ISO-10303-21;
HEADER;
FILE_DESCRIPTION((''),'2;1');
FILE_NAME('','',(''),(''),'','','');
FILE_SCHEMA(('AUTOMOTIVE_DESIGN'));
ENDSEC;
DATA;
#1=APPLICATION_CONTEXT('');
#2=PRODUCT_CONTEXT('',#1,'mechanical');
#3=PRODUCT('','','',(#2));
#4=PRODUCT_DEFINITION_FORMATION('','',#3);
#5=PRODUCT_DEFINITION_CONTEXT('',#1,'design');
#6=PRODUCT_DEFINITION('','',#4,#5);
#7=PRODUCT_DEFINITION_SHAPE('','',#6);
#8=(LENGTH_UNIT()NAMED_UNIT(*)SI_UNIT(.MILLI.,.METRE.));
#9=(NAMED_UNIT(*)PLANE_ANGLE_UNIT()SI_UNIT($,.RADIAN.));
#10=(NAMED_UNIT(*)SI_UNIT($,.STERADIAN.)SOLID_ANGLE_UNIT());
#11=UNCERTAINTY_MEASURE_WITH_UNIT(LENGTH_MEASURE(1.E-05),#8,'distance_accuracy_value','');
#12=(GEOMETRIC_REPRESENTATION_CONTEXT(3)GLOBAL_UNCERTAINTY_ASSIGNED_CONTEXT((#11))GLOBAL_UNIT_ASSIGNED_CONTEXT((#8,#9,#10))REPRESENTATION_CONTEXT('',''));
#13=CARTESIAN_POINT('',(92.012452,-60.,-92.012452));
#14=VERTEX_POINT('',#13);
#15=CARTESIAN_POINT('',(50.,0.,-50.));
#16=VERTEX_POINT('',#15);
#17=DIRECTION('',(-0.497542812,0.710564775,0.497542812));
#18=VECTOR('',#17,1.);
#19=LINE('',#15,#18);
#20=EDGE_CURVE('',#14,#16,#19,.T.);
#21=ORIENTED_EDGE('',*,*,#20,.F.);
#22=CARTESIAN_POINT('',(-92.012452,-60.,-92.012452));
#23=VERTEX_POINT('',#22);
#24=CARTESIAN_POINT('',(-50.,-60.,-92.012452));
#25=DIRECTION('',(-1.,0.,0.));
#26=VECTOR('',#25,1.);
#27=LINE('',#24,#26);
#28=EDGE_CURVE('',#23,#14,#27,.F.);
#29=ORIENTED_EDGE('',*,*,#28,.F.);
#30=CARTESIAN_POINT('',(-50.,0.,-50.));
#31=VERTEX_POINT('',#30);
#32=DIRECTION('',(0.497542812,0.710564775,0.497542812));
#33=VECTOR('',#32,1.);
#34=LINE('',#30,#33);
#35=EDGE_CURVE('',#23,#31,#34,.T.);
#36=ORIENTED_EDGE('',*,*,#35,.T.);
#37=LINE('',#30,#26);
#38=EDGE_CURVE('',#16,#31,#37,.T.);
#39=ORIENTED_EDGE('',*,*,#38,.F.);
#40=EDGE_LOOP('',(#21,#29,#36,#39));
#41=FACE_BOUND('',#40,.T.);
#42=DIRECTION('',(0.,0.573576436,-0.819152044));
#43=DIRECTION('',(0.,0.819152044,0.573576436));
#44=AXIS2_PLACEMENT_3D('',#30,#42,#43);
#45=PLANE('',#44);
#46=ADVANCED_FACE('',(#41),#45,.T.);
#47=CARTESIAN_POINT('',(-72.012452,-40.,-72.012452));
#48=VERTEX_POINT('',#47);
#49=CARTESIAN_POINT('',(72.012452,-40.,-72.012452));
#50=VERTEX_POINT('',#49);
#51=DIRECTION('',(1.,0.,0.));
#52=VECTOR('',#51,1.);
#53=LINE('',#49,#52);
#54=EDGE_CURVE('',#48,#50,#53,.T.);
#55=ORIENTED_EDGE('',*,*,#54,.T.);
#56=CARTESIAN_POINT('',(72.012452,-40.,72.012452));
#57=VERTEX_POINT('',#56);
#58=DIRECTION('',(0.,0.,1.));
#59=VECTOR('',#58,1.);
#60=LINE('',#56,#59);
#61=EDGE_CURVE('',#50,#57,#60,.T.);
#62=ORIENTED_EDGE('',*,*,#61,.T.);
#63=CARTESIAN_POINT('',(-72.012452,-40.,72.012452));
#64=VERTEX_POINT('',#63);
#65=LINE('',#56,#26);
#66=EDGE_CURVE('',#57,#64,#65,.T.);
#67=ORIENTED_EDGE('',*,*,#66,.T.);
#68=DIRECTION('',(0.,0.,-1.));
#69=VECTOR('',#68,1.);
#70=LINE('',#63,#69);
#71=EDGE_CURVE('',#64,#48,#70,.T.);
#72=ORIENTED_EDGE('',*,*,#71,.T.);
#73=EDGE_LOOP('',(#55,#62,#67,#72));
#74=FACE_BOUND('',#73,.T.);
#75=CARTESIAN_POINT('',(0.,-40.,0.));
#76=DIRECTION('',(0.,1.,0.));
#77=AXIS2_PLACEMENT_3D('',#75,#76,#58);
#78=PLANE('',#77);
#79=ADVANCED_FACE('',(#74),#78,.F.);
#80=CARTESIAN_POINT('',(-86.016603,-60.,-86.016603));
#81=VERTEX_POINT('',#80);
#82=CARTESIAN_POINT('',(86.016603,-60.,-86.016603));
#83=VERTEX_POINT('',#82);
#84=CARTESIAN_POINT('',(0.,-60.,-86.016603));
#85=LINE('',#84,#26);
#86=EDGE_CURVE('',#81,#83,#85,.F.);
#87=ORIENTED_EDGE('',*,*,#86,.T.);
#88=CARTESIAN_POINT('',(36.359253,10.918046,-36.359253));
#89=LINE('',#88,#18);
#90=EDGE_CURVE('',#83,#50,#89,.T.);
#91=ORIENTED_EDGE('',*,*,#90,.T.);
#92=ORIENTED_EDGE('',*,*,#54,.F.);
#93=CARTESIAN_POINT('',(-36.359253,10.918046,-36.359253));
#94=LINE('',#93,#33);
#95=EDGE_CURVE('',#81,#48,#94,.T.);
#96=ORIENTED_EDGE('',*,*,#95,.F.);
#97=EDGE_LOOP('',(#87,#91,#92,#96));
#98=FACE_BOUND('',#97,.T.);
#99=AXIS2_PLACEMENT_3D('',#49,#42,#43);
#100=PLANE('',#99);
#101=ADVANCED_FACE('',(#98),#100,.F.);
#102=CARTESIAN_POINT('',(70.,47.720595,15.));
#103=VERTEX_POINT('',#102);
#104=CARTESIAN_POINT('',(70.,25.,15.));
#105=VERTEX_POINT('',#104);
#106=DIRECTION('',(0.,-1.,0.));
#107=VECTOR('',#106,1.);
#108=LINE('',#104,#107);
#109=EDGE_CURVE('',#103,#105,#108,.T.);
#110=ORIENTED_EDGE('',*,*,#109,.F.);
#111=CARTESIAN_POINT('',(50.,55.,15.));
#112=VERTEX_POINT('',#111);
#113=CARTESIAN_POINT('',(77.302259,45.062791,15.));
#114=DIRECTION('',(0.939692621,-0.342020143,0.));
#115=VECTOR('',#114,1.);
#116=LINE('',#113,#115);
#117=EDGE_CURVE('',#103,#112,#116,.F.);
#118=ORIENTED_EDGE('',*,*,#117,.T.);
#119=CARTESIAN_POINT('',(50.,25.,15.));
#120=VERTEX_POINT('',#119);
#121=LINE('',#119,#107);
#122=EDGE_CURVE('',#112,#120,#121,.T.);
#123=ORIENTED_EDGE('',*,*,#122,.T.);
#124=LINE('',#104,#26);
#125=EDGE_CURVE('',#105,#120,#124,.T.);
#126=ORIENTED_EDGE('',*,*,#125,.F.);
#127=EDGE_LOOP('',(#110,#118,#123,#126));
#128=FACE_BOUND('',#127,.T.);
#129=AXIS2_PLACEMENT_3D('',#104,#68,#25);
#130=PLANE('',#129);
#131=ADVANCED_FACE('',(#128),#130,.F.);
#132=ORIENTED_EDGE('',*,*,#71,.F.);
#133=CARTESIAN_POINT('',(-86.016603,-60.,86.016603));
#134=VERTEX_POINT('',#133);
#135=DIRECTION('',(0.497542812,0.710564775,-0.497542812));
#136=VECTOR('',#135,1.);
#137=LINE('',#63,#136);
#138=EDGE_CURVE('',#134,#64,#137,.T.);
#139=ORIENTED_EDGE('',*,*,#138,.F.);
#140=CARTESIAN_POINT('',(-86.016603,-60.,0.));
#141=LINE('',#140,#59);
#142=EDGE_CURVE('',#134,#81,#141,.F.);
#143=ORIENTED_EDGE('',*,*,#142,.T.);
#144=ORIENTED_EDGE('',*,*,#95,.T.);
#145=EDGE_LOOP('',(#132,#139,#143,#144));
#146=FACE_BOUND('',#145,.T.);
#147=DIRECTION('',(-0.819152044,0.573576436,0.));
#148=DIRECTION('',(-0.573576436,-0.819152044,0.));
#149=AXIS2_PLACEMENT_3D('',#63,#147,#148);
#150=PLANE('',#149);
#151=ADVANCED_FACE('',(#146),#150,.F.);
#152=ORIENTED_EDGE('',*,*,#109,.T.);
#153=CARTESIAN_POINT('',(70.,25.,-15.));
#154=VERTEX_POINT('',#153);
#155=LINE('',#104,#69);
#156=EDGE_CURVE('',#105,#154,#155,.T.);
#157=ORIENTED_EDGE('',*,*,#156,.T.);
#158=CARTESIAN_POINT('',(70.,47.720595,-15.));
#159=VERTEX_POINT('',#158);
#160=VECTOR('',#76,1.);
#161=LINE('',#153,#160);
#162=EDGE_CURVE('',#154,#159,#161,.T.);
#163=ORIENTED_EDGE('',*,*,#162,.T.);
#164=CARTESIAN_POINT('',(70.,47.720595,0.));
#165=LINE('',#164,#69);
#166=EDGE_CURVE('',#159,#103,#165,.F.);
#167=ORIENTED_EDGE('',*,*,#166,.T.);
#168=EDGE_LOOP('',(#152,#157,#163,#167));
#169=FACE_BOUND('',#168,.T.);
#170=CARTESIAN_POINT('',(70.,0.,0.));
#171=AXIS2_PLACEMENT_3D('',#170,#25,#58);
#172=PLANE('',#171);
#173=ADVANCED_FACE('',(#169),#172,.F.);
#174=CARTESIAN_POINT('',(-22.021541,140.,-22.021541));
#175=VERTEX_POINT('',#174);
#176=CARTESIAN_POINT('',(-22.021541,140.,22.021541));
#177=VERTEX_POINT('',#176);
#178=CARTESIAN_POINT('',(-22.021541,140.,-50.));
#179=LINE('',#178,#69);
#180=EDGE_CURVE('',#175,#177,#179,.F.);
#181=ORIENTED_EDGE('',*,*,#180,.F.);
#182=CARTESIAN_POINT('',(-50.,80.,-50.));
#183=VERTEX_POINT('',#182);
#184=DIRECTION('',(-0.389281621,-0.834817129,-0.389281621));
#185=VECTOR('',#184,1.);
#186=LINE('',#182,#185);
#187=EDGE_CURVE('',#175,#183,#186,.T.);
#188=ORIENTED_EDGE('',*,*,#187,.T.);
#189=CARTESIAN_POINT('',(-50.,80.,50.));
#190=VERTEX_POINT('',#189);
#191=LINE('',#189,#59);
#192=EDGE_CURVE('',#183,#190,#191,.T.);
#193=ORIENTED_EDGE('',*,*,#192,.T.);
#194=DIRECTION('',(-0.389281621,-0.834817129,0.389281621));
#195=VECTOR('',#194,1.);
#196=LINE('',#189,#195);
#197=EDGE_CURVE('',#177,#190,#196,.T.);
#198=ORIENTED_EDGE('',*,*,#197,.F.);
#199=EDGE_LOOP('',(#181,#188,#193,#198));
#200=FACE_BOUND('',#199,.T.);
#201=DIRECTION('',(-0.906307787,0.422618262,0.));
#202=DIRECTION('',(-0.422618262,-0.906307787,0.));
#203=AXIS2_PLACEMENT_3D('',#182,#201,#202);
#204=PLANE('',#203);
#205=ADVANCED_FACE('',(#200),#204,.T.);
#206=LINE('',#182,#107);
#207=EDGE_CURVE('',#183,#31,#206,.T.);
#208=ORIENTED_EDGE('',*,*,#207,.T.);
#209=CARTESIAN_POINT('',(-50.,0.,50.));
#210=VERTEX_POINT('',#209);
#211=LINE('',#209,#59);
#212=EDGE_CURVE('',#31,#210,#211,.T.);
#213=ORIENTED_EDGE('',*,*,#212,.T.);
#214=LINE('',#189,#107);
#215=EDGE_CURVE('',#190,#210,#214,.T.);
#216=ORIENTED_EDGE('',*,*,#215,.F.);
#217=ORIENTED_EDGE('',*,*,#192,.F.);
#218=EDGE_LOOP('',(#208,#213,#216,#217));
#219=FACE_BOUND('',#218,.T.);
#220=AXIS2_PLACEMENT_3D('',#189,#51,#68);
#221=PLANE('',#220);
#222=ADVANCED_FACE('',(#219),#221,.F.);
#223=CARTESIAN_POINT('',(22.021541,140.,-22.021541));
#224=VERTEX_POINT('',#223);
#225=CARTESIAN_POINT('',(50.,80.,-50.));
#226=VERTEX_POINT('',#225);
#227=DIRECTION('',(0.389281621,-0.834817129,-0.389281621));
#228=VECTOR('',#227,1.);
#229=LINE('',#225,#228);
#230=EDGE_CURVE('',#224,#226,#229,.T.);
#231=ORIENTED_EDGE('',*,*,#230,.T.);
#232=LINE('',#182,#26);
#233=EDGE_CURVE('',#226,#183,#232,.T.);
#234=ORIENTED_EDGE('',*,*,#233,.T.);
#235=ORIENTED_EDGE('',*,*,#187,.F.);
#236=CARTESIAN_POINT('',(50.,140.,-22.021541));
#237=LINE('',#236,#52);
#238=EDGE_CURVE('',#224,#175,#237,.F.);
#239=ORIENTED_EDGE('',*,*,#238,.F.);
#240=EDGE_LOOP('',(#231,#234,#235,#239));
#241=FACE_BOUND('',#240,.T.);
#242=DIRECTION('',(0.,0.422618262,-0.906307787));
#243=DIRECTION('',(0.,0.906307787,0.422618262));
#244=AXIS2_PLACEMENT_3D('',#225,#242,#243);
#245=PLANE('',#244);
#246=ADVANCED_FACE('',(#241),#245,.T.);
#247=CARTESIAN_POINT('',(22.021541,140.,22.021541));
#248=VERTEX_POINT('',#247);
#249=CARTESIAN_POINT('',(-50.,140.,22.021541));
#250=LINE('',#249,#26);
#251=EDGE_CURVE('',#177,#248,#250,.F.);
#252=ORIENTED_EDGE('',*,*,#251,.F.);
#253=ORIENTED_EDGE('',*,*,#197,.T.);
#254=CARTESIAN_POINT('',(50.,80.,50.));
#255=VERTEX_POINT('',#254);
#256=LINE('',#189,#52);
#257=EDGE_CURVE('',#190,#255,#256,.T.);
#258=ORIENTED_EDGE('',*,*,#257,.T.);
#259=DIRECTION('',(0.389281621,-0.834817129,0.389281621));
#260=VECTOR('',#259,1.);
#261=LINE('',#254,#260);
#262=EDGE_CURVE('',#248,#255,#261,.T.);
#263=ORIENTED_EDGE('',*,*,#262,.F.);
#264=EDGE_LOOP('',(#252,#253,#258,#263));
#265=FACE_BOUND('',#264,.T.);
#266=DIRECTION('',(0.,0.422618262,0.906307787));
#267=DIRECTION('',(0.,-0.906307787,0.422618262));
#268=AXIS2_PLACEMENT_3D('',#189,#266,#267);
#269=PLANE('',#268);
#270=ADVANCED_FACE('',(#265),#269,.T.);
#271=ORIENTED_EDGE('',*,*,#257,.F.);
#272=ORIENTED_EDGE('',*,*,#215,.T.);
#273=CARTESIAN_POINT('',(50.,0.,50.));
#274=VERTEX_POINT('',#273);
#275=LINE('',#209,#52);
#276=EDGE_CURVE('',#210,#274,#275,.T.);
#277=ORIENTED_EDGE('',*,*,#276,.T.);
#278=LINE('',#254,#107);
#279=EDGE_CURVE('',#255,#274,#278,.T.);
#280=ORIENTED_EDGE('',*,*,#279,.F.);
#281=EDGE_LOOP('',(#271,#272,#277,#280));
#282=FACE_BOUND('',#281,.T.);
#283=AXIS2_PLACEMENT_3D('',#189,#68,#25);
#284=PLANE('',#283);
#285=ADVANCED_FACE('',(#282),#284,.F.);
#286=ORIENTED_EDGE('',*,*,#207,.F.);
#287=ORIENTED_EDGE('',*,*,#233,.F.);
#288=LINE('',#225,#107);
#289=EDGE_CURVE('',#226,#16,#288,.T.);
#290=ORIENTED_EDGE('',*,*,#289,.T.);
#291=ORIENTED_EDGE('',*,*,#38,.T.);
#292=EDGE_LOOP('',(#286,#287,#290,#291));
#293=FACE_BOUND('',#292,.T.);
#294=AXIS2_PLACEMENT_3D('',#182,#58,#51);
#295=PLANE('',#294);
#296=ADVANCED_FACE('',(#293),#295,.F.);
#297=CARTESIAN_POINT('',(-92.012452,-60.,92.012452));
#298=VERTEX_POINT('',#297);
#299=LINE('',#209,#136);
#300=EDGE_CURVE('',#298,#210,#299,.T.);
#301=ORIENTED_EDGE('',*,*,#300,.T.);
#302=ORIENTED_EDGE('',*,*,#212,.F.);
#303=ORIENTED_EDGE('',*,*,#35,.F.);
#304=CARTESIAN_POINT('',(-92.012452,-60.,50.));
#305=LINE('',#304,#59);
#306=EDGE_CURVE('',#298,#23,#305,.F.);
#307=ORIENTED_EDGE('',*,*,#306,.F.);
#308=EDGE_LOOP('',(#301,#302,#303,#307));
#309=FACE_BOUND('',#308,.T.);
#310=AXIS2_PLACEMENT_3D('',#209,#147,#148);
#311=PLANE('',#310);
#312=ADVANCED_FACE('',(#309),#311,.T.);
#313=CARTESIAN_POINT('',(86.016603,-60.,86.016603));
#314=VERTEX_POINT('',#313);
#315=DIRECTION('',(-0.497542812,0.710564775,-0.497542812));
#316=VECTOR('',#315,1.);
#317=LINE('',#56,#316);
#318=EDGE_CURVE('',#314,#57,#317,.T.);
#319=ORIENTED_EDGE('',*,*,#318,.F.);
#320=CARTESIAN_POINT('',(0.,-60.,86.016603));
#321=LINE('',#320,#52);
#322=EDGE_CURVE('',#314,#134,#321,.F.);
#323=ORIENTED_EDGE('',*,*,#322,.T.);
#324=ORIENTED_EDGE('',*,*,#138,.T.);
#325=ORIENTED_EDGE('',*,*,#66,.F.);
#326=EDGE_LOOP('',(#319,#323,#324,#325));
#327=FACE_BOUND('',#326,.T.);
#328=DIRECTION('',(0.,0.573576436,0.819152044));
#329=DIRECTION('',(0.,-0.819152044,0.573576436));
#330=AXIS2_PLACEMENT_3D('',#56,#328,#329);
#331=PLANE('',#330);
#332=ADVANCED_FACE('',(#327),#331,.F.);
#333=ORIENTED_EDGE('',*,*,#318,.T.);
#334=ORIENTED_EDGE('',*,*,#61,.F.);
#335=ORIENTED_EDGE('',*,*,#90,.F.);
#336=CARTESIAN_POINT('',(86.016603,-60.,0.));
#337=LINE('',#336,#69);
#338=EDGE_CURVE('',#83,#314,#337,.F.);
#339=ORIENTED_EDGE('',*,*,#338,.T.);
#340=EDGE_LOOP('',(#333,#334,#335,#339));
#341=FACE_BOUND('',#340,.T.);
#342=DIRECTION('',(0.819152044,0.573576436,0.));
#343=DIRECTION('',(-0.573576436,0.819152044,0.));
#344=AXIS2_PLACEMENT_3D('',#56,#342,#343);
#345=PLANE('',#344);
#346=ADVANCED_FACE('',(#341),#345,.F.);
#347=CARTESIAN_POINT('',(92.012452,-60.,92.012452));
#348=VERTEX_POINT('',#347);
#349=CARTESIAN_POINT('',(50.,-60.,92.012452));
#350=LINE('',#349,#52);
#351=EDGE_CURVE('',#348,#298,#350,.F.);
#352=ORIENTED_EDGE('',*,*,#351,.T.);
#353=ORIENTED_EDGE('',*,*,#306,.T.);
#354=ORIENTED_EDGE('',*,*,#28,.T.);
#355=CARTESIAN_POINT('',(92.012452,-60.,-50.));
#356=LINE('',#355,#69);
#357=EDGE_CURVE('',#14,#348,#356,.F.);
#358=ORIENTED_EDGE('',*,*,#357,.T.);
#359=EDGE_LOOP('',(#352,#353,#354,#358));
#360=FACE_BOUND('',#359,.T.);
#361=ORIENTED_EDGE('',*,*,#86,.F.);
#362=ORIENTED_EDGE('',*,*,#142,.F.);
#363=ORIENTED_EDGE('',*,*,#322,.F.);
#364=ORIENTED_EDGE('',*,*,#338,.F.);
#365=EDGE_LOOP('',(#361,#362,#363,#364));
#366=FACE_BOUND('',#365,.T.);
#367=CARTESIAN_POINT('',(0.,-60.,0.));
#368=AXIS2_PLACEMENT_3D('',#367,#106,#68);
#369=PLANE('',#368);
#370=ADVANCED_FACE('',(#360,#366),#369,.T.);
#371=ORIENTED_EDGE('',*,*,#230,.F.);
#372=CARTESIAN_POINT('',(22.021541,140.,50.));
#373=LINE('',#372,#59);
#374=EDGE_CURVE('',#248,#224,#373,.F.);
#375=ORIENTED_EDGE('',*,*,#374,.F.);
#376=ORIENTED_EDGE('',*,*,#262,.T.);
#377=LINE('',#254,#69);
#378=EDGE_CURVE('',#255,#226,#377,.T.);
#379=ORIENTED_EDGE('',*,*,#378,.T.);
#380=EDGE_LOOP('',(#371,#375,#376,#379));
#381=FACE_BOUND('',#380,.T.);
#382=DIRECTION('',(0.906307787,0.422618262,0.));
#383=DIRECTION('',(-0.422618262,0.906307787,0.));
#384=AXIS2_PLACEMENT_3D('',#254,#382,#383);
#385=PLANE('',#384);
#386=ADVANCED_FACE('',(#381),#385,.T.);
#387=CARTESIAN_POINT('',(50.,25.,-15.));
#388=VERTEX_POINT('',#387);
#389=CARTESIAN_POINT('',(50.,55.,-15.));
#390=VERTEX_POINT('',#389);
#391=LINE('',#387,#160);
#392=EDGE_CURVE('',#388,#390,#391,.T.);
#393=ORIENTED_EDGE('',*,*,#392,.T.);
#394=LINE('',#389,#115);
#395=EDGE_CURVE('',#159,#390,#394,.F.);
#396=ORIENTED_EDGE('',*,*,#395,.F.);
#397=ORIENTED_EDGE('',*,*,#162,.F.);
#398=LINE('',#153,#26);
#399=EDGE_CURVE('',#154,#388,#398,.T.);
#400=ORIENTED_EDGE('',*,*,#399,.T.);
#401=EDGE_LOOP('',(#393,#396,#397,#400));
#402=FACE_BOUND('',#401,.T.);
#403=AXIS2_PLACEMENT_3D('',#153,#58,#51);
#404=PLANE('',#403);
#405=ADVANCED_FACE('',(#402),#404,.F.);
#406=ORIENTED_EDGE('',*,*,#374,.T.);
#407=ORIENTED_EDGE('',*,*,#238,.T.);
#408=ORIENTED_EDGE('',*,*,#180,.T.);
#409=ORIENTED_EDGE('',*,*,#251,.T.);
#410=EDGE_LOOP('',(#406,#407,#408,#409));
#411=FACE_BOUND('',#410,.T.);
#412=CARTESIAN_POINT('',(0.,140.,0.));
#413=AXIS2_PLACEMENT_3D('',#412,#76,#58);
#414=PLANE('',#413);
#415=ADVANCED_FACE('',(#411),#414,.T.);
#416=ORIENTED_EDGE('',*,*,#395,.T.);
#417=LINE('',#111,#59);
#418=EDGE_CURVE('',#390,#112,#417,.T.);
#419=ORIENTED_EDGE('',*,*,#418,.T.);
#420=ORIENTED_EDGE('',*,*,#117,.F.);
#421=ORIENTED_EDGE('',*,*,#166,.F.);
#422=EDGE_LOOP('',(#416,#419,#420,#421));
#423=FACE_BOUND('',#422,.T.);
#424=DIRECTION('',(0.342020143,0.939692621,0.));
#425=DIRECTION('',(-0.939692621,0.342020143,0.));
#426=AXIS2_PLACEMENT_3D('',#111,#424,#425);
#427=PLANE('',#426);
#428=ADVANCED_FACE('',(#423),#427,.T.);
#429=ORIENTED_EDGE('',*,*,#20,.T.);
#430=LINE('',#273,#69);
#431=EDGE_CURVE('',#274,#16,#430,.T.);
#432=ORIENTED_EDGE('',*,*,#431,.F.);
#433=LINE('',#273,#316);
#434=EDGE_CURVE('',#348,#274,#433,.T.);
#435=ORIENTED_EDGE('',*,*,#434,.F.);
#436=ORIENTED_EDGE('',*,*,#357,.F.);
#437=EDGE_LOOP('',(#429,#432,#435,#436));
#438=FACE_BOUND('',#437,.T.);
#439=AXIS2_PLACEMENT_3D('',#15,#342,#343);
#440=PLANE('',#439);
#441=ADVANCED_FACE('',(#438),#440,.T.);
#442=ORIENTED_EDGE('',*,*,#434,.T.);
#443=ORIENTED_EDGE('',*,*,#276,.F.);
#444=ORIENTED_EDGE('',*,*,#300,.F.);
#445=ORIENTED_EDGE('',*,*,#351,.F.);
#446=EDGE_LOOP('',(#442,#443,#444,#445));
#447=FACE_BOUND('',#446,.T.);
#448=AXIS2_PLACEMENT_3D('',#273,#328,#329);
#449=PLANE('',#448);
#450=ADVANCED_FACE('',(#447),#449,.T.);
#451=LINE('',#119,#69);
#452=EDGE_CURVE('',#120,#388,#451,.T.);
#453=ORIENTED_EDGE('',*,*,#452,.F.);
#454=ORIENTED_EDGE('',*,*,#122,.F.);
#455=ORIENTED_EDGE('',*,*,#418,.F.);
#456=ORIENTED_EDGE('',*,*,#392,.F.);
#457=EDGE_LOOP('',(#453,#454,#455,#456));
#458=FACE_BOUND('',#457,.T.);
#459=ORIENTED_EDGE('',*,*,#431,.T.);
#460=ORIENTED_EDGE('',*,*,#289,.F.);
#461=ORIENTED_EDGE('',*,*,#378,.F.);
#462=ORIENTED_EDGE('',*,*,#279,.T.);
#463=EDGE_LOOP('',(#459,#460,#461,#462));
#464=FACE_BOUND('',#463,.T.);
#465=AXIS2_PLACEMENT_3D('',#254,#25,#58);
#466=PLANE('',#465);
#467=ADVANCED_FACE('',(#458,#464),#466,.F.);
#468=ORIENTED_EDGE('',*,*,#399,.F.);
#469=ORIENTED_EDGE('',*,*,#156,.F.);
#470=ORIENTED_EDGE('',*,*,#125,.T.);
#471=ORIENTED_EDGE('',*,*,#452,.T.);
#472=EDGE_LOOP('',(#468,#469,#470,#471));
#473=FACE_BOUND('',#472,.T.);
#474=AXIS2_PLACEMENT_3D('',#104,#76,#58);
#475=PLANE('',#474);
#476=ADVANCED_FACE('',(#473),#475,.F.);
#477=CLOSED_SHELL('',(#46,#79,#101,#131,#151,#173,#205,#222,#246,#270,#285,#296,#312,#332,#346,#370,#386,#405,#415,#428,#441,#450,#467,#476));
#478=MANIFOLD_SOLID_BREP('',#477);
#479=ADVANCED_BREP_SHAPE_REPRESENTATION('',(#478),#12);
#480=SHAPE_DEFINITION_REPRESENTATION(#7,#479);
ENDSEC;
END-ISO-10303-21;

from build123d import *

# Parameters (mm, degrees)
SKETCH1_W           = 100
SKETCH1_H           = 100
BOSS_EXTRUDE1_DEPTH = 80
SKETCH2_W           = 100
SKETCH2_H           = 100
BOSS_EXTRUDE2_DEPTH = 60
BOSS_EXTRUDE2_TAPER = 25
SKETCH3_W           = 100
SKETCH3_H           = 100
BOSS_EXTRUDE3_DEPTH = 60
BOSS_EXTRUDE3_TAPER = -35
SKETCH5_W           = 144.024904586
SKETCH5_H           = 144.024904586
CUT_EXTRUDE2_DEPTH  = 20
CUT_EXTRUDE2_TAPER  = -35
SKETCH6_W           = 30
SKETCH6_H           = 30
BOSS_EXTRUDE4_DEPTH = 20
DRAFT5_ANGLE        = 20


with BuildPart() as part:
    # Sketch1 → Boss-Extrude1 (new body)
    with BuildSketch(Plane(origin=(0, 0, 0), x_dir=(1, 0, 0), z_dir=(0, 1, 0))):
        Rectangle(SKETCH1_W, SKETCH1_H)
    extrude(amount=BOSS_EXTRUDE1_DEPTH)

    # Sketch2 → Boss-Extrude2 (add)
    with BuildSketch(Plane(origin=(0, 80, 0), x_dir=(1, 0, 0), z_dir=(0, 1, 0))):
        Rectangle(SKETCH2_W, SKETCH2_H)
    extrude(amount=BOSS_EXTRUDE2_DEPTH, taper=BOSS_EXTRUDE2_TAPER)

    # Sketch3 → Boss-Extrude3 (add)
    with BuildSketch(Plane.XZ):
        Rectangle(SKETCH3_W, SKETCH3_H)
    extrude(amount=BOSS_EXTRUDE3_DEPTH, taper=BOSS_EXTRUDE3_TAPER)

    # Sketch5 → Cut-Extrude2 (cut)
    with BuildSketch(Plane(origin=(0, -40, 0), x_dir=(-1, 0, 0), z_dir=(0, -1, 0))):
        Rectangle(SKETCH5_W, SKETCH5_H)
    extrude(amount=CUT_EXTRUDE2_DEPTH, taper=CUT_EXTRUDE2_TAPER, mode=Mode.SUBTRACT)

    # Sketch6 → Boss-Extrude4 (add)
    with BuildSketch(Plane(origin=(50, 0, 0), x_dir=(0, 0, -1), z_dir=(1, 0, 0))):
        with Locations((0, 40)):
            Rectangle(SKETCH6_W, SKETCH6_H)
    extrude(amount=BOSS_EXTRUDE4_DEPTH)

    # Draft5
    draft5_faces = [part.faces().sort_by_distance(p)[0] for p in [
        (60, 55, 0),
    ]]
    draft(draft5_faces, Plane(origin=(50, 80, 50), x_dir=(0, 0, 1), z_dir=(1, 0, 0)), DRAFT5_ANGLE)


solid = part.part
